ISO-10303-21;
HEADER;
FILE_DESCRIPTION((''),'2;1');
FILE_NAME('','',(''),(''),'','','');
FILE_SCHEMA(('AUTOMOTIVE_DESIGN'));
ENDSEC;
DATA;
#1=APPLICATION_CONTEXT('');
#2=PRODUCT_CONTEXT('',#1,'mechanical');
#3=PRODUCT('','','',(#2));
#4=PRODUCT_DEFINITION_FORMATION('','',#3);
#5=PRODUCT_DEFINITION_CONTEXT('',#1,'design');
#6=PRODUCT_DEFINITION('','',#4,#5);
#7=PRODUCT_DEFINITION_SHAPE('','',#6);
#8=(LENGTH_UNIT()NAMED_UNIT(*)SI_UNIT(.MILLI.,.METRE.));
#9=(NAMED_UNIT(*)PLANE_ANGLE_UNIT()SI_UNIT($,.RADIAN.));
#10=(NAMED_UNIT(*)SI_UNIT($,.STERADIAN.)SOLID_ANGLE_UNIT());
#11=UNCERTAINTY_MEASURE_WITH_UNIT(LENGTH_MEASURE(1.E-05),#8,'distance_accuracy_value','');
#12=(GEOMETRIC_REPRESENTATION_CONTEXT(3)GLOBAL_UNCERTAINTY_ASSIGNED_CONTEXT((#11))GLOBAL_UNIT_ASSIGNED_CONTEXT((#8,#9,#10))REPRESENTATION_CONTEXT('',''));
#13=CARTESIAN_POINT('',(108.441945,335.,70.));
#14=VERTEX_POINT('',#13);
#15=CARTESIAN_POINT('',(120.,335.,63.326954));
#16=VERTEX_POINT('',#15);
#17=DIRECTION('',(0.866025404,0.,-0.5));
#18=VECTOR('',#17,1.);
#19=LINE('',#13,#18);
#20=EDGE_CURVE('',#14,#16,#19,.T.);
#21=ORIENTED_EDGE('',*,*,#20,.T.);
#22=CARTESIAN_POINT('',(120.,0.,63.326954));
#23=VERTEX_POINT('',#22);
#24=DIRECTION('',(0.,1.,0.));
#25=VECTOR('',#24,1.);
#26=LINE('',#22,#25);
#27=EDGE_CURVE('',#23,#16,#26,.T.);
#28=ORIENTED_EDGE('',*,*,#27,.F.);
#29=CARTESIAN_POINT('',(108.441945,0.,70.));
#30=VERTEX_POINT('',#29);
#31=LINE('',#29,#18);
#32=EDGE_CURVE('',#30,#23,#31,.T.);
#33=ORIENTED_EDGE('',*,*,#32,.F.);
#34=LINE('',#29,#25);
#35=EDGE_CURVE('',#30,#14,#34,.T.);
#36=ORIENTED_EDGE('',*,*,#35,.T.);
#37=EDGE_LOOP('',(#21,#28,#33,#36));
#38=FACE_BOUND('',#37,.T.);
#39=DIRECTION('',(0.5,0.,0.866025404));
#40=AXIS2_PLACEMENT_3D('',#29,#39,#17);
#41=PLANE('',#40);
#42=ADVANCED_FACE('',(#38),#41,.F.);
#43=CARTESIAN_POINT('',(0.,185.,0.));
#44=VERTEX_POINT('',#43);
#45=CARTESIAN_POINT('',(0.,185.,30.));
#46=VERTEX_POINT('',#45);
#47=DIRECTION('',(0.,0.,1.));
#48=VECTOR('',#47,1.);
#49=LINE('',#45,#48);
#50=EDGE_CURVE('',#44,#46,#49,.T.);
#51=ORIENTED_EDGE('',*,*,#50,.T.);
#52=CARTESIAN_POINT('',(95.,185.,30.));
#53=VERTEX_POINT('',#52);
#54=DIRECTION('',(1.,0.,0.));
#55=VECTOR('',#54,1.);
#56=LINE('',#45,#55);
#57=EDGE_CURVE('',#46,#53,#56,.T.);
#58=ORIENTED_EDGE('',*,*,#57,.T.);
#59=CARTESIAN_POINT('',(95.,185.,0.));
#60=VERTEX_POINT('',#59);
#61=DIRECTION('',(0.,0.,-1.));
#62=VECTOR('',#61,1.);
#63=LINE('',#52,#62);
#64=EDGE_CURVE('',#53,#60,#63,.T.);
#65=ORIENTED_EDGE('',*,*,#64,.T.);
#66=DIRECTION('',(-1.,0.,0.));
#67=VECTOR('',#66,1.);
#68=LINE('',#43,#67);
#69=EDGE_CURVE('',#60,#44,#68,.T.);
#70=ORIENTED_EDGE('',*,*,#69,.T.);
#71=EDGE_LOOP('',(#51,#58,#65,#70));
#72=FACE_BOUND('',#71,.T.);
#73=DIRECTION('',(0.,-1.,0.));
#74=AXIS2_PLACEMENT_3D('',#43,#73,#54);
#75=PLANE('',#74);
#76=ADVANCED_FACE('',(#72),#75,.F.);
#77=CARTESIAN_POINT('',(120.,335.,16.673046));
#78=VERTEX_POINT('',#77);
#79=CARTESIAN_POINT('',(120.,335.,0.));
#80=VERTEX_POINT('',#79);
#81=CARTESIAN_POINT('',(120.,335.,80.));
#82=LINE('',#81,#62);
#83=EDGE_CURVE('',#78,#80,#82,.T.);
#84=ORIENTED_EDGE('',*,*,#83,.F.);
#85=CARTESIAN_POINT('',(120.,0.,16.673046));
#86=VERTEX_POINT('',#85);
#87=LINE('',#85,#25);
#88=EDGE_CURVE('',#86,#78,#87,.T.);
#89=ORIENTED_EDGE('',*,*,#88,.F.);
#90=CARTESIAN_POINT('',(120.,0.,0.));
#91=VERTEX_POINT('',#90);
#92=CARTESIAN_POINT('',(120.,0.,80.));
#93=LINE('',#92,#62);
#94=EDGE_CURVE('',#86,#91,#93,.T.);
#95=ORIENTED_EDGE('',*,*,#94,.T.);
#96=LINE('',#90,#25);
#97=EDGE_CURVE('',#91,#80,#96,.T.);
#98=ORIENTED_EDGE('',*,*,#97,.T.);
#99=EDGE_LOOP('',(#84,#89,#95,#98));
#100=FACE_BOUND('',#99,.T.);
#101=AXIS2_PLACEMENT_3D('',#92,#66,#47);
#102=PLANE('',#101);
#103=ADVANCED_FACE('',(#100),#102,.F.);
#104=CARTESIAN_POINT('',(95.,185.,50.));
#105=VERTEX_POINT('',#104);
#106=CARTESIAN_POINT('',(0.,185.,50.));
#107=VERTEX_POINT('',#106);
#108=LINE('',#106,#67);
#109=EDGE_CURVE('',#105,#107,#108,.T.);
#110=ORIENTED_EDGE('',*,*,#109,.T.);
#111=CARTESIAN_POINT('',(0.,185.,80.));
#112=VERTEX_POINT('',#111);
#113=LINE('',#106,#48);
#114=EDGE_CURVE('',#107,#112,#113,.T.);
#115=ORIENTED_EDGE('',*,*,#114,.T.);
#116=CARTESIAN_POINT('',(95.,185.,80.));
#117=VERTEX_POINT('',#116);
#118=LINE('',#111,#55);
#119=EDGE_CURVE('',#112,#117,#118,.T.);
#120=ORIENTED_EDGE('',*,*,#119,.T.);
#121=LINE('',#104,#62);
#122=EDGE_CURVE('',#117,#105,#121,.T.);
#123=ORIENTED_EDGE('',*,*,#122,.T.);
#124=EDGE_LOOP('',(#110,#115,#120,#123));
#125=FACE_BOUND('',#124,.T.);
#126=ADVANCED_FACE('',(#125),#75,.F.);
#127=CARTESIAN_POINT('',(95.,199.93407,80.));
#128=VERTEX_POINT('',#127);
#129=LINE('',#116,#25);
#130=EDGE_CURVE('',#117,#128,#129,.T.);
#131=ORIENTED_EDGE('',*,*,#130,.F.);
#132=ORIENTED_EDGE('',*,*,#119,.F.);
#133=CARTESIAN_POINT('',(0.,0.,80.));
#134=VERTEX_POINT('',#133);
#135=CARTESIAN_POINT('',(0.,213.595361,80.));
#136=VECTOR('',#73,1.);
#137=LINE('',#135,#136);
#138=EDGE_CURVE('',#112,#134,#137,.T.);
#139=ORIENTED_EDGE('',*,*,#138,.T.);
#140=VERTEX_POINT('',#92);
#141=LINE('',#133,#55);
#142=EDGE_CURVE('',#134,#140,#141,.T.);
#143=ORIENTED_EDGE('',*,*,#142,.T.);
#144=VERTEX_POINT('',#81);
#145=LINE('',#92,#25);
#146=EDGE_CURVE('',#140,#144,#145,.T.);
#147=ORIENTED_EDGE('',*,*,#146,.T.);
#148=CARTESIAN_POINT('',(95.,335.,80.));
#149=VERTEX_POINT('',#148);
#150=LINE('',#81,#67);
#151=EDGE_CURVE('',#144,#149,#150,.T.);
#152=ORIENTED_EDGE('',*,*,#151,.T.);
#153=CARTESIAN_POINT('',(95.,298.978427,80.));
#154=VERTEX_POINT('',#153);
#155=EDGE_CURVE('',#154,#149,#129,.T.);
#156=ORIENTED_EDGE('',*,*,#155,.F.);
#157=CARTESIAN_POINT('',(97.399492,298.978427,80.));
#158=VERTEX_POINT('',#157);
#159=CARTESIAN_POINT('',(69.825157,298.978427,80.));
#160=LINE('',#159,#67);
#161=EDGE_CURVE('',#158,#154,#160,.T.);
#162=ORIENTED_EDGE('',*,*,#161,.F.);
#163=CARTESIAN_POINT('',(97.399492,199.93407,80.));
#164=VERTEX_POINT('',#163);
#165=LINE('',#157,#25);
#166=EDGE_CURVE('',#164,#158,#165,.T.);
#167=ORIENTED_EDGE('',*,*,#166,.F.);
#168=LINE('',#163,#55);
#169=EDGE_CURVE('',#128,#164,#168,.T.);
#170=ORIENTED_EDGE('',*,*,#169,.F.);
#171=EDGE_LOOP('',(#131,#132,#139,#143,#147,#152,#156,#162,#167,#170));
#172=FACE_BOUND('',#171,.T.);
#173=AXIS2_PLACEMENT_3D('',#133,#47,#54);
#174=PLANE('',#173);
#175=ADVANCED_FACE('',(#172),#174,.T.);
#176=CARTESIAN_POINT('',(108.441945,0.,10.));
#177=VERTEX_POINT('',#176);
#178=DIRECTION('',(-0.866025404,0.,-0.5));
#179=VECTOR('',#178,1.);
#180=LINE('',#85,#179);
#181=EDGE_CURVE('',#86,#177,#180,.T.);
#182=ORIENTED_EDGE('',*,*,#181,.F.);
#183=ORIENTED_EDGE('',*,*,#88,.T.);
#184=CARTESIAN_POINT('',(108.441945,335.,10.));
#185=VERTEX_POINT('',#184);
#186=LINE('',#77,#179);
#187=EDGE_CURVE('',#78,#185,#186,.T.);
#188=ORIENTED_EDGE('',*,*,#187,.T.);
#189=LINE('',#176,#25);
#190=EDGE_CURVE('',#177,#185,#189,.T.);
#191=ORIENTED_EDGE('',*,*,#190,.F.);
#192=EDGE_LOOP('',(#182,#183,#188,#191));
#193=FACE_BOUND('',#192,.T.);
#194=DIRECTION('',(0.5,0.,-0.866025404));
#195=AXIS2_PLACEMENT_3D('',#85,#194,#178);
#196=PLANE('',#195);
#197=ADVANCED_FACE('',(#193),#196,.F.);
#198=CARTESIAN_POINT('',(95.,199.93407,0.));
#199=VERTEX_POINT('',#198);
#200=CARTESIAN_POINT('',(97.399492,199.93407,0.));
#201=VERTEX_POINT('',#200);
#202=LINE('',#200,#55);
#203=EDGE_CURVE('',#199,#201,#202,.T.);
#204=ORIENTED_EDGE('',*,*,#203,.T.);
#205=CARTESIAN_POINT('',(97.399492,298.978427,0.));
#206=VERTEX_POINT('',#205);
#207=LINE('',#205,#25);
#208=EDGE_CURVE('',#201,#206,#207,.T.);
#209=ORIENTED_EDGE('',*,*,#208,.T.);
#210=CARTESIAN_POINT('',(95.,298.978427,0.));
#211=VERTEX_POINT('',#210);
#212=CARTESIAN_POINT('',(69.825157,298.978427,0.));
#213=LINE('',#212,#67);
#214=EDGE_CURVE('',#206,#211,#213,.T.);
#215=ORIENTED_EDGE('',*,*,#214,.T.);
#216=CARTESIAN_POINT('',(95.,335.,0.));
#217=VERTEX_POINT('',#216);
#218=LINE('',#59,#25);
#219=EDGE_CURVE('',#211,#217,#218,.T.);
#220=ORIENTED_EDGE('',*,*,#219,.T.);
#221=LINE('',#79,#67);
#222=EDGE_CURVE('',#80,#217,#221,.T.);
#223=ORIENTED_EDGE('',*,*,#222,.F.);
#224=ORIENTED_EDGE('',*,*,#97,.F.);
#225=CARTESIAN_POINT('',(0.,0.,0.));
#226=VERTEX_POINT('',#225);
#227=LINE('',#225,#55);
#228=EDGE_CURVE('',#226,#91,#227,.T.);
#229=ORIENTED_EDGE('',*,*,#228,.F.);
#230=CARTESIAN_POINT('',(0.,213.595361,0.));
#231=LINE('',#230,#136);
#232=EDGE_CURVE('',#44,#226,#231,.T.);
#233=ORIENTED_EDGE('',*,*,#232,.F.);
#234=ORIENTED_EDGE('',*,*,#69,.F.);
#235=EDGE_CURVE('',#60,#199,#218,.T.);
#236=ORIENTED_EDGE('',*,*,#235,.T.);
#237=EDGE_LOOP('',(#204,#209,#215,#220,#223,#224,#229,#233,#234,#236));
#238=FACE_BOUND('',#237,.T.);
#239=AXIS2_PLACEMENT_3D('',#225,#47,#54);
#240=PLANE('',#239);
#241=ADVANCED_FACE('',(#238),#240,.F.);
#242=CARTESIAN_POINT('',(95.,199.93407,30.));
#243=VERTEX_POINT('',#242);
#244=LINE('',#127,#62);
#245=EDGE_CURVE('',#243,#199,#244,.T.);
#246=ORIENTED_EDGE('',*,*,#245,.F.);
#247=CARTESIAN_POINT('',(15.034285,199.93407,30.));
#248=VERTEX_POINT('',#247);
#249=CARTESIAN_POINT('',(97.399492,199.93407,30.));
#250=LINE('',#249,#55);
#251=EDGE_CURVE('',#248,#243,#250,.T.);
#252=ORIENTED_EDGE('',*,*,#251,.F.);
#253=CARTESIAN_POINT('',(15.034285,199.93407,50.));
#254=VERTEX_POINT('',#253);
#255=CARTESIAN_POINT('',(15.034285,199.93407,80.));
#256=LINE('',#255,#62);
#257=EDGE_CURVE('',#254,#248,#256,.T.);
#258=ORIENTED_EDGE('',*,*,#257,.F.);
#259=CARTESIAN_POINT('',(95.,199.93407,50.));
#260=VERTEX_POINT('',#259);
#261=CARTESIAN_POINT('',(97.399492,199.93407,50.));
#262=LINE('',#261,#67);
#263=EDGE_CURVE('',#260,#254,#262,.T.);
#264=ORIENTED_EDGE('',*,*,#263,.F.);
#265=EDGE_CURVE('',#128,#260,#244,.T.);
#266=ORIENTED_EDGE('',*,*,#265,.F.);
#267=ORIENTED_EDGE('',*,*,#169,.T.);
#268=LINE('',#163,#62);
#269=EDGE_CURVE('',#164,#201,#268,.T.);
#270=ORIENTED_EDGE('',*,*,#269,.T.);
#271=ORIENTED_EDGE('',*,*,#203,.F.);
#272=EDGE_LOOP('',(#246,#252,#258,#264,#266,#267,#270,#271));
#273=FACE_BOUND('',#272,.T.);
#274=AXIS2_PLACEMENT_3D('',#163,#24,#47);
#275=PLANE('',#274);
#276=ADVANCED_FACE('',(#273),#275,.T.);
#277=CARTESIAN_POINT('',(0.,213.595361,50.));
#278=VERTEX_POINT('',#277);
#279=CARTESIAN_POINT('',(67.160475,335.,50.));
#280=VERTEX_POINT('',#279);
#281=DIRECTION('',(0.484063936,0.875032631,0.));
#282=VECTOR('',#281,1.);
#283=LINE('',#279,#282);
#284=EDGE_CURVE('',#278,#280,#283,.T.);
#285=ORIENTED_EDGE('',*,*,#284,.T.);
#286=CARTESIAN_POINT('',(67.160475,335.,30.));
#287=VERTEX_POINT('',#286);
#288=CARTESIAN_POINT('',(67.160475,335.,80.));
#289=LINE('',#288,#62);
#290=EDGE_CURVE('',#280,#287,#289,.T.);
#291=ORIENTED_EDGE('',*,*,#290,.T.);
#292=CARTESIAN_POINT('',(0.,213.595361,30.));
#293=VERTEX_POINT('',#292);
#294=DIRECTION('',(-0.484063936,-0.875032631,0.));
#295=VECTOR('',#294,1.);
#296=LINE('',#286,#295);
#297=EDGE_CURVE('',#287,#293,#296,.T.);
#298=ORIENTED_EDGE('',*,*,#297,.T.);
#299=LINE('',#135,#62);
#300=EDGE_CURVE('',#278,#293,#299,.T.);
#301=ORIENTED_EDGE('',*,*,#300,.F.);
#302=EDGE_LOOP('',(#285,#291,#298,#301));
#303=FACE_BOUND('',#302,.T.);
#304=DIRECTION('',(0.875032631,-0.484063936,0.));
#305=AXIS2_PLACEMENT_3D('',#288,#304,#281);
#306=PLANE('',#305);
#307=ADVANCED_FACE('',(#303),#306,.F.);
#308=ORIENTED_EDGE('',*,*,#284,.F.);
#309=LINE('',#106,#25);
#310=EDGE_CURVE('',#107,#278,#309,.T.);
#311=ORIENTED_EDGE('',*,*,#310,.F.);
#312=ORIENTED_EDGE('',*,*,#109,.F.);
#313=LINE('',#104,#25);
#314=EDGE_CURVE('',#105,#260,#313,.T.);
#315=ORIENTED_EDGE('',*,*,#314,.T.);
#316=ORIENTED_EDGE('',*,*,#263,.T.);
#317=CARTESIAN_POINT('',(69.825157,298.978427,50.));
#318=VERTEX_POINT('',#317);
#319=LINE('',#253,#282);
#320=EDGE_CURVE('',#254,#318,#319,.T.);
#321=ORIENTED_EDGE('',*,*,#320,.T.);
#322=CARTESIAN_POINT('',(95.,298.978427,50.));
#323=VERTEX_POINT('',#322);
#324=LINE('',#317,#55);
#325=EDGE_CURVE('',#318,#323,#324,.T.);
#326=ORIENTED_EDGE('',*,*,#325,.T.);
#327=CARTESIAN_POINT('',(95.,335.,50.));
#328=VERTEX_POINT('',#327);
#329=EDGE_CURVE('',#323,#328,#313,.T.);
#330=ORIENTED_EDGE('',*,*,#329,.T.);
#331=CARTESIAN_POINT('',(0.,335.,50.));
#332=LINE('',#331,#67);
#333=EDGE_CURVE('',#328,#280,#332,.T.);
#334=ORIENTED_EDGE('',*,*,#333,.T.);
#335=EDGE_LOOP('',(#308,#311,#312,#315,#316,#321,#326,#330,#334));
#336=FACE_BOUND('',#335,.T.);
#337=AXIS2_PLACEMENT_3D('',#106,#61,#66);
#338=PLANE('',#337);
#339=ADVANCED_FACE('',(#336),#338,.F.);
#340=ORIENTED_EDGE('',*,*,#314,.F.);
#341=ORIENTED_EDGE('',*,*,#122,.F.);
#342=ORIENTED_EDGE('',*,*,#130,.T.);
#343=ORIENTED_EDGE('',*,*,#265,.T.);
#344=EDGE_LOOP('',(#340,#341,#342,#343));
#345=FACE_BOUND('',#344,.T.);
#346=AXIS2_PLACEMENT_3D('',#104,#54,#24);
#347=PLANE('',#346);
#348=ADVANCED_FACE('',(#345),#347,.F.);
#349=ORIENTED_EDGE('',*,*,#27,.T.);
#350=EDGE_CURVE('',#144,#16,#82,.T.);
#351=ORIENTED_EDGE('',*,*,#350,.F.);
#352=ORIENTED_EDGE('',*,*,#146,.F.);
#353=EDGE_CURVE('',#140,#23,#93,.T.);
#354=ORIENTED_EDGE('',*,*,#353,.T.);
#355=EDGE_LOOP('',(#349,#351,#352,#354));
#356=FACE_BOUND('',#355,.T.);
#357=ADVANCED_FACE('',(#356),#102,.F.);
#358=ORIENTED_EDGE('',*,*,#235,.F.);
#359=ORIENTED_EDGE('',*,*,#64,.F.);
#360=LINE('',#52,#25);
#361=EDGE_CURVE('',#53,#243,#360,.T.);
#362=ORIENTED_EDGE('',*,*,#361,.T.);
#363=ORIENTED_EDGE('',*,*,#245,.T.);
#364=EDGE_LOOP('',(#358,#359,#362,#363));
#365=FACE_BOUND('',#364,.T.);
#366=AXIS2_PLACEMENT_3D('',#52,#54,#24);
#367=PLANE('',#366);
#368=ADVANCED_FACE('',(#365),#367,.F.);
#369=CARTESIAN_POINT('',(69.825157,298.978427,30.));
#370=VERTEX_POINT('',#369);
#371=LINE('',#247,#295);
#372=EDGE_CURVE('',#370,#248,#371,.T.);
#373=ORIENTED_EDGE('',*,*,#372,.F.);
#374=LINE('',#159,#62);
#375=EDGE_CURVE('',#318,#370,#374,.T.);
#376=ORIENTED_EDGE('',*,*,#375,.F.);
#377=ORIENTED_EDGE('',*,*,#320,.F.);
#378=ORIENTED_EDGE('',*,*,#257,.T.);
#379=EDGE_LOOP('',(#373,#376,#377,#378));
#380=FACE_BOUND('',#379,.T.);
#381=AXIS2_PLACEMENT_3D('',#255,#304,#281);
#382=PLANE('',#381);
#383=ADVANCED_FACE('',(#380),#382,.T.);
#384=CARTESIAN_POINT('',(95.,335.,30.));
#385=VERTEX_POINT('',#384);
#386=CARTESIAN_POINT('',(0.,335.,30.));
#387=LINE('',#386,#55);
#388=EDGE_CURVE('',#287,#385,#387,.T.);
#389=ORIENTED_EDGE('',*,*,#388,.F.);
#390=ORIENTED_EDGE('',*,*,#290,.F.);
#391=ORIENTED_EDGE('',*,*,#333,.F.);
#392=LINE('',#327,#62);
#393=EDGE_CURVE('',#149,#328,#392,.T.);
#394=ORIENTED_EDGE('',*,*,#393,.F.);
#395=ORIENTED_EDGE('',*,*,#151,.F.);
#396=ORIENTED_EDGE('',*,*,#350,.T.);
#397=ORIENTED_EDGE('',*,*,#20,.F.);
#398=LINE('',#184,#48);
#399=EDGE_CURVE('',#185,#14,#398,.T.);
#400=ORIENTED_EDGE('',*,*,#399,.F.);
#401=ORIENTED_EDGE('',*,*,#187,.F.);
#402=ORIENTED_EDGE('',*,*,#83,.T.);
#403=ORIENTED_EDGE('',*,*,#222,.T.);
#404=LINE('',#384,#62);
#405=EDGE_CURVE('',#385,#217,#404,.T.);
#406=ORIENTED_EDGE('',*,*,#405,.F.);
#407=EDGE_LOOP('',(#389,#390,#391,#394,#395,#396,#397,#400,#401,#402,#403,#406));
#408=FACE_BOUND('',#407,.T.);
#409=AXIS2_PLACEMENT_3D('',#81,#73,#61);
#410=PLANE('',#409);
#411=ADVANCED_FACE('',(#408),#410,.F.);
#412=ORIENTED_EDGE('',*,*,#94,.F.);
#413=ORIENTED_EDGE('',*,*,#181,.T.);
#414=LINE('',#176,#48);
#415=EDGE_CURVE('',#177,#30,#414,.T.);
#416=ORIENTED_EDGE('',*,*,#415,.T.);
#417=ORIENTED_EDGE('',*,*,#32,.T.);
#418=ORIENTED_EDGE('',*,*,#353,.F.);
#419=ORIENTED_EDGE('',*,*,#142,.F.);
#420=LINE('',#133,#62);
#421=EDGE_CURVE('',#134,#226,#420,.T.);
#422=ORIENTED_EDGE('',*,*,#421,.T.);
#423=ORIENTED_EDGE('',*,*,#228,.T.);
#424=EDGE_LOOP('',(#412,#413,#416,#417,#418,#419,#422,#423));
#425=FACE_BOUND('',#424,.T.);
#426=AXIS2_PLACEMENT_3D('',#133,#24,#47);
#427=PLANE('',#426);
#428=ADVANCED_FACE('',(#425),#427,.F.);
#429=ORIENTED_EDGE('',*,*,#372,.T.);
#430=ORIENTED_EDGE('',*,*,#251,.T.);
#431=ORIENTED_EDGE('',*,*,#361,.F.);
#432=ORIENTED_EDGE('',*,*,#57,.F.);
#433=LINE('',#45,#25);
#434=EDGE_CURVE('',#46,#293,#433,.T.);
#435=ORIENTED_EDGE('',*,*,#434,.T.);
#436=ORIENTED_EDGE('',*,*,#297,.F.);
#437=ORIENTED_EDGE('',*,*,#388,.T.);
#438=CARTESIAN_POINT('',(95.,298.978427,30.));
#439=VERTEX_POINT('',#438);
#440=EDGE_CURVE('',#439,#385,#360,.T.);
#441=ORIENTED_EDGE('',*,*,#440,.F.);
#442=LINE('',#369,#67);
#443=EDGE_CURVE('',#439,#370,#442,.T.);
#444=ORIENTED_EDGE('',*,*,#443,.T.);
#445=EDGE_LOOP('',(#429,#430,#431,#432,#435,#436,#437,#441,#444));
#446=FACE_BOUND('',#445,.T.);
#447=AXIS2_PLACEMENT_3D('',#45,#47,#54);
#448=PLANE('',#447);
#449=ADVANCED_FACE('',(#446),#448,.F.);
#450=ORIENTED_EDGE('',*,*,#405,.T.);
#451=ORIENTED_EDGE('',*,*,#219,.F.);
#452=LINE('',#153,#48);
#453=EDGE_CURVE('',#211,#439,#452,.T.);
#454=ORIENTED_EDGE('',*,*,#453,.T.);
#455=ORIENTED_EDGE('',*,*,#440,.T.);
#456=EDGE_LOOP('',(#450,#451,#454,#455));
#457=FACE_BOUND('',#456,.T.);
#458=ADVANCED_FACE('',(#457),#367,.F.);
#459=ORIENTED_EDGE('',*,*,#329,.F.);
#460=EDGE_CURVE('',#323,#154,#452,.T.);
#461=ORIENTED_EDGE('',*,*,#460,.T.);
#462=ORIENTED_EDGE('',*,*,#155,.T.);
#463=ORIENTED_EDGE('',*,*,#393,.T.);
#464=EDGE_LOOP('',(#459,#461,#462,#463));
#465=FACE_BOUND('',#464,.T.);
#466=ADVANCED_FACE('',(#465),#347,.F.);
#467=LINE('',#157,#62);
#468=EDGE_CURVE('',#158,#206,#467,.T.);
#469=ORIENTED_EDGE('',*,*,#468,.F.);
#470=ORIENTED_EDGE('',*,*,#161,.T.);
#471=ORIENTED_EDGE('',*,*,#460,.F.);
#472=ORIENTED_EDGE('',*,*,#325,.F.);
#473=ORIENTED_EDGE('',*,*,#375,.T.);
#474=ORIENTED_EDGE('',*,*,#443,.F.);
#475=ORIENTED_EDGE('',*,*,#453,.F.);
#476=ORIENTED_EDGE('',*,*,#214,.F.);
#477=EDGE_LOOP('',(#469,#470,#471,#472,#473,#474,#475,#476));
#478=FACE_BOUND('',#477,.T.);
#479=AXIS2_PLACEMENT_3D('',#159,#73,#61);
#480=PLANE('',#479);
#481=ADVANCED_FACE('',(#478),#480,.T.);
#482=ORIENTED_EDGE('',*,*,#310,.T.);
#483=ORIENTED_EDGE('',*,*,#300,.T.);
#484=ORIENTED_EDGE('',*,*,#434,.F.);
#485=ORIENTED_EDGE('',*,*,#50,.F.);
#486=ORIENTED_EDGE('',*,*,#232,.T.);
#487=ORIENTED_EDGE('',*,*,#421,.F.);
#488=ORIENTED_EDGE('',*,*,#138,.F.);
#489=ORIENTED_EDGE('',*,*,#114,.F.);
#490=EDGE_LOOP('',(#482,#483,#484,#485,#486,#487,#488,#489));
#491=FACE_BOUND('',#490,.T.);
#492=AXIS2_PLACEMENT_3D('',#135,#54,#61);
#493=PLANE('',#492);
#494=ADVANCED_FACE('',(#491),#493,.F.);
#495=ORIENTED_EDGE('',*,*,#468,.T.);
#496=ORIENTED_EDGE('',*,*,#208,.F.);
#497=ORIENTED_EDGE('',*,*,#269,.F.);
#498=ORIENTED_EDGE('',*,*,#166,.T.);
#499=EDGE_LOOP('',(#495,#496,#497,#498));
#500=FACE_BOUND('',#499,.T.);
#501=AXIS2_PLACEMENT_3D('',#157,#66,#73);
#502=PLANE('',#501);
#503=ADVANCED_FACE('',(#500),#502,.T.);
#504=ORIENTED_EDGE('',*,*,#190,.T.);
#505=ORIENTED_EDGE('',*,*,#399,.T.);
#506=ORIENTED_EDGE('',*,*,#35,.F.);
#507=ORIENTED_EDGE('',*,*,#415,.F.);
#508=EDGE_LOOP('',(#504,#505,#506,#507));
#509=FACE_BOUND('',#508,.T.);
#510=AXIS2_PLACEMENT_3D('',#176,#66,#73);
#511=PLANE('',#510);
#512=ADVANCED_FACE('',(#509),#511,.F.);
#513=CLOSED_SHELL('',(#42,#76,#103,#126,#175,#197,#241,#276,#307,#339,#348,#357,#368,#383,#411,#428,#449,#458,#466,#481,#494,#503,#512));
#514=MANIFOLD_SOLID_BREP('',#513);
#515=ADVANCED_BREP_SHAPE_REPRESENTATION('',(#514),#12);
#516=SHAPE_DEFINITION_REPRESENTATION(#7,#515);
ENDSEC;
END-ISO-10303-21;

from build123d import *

# Parameters (mm, degrees)
EXTRUDE_1_DEPTH     = 80
SKETCH_2_W          = 95
SKETCH_2_H          = 30
CUT_EXTRUDE_1_DEPTH = 150
CUT_EXTRUDE_2_DEPTH = 336


with BuildPart() as part:
    # Эскиз1 → Бобышка-Вытянуть1 (new body)
    with BuildSketch(Plane.XY):
        Polygon((0, 0), (120, 0), (120, 335), (67.160475454, 335), (0, 213.59536065), align=None)
        Polygon((15.034284713, 199.934070047), (69.825157074, 298.978426921), (97.39949173, 298.978426921), (97.39949173, 199.934070047), align=None, mode=Mode.SUBTRACT)
    extrude(amount=EXTRUDE_1_DEPTH)

    # Эскиз2 → Вырез-Вытянуть1 (cut)
    with BuildSketch(Plane(origin=(0, 335, 0), x_dir=(1, 0, 0), z_dir=(0, 1, 0))):
        with Locations((47.5, -15)):
            Rectangle(SKETCH_2_W, SKETCH_2_H)
        with Locations((47.5, -65)):
            Rectangle(SKETCH_2_W, SKETCH_2_H)
    extrude(amount=-CUT_EXTRUDE_1_DEPTH, mode=Mode.SUBTRACT)

    # Эскиз3 → Вырез-Вытянуть2 (cut, through all)
    with BuildSketch(Plane(origin=(0, 335, 0), x_dir=(1, 0, 0), z_dir=(0, 1, 0))):
        Polygon((108.441945131, -10), (108.441945131, -70), (120, -63.32695391), (120, -16.67304609), align=None)
    extrude(amount=-CUT_EXTRUDE_2_DEPTH, mode=Mode.SUBTRACT)


solid = part.part
